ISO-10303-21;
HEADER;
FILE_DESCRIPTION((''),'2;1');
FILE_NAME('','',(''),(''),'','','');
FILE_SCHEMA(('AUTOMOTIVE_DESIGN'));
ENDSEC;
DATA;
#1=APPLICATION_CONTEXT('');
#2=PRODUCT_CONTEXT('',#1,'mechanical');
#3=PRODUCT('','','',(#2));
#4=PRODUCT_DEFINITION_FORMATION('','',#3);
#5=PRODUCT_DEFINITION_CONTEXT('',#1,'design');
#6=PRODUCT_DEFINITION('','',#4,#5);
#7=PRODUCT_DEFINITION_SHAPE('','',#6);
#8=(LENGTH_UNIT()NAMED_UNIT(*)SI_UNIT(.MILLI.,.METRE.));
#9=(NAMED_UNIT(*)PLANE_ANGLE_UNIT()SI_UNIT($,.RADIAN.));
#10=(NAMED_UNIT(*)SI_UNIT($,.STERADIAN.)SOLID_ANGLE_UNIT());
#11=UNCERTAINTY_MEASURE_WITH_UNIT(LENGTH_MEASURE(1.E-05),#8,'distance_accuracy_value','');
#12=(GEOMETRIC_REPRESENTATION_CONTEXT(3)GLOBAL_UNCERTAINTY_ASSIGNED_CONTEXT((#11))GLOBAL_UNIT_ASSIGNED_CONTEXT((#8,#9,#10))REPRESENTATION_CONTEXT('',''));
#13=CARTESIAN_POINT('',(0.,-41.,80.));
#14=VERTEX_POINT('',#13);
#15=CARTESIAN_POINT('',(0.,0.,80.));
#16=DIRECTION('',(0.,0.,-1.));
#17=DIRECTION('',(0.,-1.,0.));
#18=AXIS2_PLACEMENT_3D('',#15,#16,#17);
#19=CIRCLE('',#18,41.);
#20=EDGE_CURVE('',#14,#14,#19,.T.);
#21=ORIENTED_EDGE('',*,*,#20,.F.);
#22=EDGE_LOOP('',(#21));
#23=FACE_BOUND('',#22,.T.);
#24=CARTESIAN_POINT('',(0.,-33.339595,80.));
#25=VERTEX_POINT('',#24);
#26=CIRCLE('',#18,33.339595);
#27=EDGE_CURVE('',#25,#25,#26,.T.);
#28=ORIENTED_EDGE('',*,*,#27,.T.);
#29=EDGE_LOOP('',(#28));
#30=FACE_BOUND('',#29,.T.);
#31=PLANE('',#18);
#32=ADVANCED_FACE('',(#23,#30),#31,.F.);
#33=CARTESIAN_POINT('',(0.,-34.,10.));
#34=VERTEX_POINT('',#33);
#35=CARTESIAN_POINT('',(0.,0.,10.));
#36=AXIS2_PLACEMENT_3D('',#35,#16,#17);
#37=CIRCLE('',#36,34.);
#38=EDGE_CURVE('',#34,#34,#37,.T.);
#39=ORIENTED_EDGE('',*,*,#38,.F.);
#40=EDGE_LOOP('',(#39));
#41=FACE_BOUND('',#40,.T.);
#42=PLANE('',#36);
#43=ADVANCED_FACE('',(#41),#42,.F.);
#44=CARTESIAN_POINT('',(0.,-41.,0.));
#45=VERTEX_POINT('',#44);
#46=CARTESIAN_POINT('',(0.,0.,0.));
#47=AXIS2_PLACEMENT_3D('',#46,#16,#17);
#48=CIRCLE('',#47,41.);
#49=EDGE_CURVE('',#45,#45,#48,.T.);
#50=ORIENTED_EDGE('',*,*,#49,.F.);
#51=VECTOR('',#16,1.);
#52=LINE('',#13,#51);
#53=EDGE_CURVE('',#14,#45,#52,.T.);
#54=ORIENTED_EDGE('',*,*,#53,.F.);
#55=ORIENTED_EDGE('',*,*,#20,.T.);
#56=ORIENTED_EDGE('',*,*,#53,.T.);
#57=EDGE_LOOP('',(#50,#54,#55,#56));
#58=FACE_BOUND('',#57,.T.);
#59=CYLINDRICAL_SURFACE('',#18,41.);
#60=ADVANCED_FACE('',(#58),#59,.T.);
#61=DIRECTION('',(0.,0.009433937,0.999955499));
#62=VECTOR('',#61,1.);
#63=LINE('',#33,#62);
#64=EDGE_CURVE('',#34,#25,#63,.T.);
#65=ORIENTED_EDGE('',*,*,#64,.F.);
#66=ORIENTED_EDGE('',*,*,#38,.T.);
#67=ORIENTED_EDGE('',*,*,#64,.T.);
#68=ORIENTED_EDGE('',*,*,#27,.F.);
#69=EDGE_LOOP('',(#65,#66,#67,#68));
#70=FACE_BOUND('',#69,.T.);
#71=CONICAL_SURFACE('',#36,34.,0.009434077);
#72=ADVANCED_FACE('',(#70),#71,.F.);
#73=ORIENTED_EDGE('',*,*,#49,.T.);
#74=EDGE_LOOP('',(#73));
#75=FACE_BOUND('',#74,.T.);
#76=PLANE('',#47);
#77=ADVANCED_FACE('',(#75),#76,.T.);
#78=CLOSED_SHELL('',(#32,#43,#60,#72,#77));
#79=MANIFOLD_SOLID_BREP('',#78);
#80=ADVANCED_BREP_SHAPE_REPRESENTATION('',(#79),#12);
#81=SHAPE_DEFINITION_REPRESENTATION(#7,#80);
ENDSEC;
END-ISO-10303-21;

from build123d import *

# Parameters (mm, degrees)
F0_W   = 34
F0_H   = 10
F0_W_2 = 7


with BuildPart() as f1:
    # F0 (on Right) → F1 (revolve)
    with BuildSketch(Plane.YZ):
        with Locations((-17, 5)):
            Rectangle(F0_W, F0_H)
        with Locations((-37.5, 5)):
            Rectangle(F0_W_2, F0_H)
        Polygon((-41, 10), (-34, 10), (-33.339595, 80), (-41, 80), align=None)
    revolve(axis=Axis((0, 0, 5), (0, 0, -1)))


solid = f1.part
